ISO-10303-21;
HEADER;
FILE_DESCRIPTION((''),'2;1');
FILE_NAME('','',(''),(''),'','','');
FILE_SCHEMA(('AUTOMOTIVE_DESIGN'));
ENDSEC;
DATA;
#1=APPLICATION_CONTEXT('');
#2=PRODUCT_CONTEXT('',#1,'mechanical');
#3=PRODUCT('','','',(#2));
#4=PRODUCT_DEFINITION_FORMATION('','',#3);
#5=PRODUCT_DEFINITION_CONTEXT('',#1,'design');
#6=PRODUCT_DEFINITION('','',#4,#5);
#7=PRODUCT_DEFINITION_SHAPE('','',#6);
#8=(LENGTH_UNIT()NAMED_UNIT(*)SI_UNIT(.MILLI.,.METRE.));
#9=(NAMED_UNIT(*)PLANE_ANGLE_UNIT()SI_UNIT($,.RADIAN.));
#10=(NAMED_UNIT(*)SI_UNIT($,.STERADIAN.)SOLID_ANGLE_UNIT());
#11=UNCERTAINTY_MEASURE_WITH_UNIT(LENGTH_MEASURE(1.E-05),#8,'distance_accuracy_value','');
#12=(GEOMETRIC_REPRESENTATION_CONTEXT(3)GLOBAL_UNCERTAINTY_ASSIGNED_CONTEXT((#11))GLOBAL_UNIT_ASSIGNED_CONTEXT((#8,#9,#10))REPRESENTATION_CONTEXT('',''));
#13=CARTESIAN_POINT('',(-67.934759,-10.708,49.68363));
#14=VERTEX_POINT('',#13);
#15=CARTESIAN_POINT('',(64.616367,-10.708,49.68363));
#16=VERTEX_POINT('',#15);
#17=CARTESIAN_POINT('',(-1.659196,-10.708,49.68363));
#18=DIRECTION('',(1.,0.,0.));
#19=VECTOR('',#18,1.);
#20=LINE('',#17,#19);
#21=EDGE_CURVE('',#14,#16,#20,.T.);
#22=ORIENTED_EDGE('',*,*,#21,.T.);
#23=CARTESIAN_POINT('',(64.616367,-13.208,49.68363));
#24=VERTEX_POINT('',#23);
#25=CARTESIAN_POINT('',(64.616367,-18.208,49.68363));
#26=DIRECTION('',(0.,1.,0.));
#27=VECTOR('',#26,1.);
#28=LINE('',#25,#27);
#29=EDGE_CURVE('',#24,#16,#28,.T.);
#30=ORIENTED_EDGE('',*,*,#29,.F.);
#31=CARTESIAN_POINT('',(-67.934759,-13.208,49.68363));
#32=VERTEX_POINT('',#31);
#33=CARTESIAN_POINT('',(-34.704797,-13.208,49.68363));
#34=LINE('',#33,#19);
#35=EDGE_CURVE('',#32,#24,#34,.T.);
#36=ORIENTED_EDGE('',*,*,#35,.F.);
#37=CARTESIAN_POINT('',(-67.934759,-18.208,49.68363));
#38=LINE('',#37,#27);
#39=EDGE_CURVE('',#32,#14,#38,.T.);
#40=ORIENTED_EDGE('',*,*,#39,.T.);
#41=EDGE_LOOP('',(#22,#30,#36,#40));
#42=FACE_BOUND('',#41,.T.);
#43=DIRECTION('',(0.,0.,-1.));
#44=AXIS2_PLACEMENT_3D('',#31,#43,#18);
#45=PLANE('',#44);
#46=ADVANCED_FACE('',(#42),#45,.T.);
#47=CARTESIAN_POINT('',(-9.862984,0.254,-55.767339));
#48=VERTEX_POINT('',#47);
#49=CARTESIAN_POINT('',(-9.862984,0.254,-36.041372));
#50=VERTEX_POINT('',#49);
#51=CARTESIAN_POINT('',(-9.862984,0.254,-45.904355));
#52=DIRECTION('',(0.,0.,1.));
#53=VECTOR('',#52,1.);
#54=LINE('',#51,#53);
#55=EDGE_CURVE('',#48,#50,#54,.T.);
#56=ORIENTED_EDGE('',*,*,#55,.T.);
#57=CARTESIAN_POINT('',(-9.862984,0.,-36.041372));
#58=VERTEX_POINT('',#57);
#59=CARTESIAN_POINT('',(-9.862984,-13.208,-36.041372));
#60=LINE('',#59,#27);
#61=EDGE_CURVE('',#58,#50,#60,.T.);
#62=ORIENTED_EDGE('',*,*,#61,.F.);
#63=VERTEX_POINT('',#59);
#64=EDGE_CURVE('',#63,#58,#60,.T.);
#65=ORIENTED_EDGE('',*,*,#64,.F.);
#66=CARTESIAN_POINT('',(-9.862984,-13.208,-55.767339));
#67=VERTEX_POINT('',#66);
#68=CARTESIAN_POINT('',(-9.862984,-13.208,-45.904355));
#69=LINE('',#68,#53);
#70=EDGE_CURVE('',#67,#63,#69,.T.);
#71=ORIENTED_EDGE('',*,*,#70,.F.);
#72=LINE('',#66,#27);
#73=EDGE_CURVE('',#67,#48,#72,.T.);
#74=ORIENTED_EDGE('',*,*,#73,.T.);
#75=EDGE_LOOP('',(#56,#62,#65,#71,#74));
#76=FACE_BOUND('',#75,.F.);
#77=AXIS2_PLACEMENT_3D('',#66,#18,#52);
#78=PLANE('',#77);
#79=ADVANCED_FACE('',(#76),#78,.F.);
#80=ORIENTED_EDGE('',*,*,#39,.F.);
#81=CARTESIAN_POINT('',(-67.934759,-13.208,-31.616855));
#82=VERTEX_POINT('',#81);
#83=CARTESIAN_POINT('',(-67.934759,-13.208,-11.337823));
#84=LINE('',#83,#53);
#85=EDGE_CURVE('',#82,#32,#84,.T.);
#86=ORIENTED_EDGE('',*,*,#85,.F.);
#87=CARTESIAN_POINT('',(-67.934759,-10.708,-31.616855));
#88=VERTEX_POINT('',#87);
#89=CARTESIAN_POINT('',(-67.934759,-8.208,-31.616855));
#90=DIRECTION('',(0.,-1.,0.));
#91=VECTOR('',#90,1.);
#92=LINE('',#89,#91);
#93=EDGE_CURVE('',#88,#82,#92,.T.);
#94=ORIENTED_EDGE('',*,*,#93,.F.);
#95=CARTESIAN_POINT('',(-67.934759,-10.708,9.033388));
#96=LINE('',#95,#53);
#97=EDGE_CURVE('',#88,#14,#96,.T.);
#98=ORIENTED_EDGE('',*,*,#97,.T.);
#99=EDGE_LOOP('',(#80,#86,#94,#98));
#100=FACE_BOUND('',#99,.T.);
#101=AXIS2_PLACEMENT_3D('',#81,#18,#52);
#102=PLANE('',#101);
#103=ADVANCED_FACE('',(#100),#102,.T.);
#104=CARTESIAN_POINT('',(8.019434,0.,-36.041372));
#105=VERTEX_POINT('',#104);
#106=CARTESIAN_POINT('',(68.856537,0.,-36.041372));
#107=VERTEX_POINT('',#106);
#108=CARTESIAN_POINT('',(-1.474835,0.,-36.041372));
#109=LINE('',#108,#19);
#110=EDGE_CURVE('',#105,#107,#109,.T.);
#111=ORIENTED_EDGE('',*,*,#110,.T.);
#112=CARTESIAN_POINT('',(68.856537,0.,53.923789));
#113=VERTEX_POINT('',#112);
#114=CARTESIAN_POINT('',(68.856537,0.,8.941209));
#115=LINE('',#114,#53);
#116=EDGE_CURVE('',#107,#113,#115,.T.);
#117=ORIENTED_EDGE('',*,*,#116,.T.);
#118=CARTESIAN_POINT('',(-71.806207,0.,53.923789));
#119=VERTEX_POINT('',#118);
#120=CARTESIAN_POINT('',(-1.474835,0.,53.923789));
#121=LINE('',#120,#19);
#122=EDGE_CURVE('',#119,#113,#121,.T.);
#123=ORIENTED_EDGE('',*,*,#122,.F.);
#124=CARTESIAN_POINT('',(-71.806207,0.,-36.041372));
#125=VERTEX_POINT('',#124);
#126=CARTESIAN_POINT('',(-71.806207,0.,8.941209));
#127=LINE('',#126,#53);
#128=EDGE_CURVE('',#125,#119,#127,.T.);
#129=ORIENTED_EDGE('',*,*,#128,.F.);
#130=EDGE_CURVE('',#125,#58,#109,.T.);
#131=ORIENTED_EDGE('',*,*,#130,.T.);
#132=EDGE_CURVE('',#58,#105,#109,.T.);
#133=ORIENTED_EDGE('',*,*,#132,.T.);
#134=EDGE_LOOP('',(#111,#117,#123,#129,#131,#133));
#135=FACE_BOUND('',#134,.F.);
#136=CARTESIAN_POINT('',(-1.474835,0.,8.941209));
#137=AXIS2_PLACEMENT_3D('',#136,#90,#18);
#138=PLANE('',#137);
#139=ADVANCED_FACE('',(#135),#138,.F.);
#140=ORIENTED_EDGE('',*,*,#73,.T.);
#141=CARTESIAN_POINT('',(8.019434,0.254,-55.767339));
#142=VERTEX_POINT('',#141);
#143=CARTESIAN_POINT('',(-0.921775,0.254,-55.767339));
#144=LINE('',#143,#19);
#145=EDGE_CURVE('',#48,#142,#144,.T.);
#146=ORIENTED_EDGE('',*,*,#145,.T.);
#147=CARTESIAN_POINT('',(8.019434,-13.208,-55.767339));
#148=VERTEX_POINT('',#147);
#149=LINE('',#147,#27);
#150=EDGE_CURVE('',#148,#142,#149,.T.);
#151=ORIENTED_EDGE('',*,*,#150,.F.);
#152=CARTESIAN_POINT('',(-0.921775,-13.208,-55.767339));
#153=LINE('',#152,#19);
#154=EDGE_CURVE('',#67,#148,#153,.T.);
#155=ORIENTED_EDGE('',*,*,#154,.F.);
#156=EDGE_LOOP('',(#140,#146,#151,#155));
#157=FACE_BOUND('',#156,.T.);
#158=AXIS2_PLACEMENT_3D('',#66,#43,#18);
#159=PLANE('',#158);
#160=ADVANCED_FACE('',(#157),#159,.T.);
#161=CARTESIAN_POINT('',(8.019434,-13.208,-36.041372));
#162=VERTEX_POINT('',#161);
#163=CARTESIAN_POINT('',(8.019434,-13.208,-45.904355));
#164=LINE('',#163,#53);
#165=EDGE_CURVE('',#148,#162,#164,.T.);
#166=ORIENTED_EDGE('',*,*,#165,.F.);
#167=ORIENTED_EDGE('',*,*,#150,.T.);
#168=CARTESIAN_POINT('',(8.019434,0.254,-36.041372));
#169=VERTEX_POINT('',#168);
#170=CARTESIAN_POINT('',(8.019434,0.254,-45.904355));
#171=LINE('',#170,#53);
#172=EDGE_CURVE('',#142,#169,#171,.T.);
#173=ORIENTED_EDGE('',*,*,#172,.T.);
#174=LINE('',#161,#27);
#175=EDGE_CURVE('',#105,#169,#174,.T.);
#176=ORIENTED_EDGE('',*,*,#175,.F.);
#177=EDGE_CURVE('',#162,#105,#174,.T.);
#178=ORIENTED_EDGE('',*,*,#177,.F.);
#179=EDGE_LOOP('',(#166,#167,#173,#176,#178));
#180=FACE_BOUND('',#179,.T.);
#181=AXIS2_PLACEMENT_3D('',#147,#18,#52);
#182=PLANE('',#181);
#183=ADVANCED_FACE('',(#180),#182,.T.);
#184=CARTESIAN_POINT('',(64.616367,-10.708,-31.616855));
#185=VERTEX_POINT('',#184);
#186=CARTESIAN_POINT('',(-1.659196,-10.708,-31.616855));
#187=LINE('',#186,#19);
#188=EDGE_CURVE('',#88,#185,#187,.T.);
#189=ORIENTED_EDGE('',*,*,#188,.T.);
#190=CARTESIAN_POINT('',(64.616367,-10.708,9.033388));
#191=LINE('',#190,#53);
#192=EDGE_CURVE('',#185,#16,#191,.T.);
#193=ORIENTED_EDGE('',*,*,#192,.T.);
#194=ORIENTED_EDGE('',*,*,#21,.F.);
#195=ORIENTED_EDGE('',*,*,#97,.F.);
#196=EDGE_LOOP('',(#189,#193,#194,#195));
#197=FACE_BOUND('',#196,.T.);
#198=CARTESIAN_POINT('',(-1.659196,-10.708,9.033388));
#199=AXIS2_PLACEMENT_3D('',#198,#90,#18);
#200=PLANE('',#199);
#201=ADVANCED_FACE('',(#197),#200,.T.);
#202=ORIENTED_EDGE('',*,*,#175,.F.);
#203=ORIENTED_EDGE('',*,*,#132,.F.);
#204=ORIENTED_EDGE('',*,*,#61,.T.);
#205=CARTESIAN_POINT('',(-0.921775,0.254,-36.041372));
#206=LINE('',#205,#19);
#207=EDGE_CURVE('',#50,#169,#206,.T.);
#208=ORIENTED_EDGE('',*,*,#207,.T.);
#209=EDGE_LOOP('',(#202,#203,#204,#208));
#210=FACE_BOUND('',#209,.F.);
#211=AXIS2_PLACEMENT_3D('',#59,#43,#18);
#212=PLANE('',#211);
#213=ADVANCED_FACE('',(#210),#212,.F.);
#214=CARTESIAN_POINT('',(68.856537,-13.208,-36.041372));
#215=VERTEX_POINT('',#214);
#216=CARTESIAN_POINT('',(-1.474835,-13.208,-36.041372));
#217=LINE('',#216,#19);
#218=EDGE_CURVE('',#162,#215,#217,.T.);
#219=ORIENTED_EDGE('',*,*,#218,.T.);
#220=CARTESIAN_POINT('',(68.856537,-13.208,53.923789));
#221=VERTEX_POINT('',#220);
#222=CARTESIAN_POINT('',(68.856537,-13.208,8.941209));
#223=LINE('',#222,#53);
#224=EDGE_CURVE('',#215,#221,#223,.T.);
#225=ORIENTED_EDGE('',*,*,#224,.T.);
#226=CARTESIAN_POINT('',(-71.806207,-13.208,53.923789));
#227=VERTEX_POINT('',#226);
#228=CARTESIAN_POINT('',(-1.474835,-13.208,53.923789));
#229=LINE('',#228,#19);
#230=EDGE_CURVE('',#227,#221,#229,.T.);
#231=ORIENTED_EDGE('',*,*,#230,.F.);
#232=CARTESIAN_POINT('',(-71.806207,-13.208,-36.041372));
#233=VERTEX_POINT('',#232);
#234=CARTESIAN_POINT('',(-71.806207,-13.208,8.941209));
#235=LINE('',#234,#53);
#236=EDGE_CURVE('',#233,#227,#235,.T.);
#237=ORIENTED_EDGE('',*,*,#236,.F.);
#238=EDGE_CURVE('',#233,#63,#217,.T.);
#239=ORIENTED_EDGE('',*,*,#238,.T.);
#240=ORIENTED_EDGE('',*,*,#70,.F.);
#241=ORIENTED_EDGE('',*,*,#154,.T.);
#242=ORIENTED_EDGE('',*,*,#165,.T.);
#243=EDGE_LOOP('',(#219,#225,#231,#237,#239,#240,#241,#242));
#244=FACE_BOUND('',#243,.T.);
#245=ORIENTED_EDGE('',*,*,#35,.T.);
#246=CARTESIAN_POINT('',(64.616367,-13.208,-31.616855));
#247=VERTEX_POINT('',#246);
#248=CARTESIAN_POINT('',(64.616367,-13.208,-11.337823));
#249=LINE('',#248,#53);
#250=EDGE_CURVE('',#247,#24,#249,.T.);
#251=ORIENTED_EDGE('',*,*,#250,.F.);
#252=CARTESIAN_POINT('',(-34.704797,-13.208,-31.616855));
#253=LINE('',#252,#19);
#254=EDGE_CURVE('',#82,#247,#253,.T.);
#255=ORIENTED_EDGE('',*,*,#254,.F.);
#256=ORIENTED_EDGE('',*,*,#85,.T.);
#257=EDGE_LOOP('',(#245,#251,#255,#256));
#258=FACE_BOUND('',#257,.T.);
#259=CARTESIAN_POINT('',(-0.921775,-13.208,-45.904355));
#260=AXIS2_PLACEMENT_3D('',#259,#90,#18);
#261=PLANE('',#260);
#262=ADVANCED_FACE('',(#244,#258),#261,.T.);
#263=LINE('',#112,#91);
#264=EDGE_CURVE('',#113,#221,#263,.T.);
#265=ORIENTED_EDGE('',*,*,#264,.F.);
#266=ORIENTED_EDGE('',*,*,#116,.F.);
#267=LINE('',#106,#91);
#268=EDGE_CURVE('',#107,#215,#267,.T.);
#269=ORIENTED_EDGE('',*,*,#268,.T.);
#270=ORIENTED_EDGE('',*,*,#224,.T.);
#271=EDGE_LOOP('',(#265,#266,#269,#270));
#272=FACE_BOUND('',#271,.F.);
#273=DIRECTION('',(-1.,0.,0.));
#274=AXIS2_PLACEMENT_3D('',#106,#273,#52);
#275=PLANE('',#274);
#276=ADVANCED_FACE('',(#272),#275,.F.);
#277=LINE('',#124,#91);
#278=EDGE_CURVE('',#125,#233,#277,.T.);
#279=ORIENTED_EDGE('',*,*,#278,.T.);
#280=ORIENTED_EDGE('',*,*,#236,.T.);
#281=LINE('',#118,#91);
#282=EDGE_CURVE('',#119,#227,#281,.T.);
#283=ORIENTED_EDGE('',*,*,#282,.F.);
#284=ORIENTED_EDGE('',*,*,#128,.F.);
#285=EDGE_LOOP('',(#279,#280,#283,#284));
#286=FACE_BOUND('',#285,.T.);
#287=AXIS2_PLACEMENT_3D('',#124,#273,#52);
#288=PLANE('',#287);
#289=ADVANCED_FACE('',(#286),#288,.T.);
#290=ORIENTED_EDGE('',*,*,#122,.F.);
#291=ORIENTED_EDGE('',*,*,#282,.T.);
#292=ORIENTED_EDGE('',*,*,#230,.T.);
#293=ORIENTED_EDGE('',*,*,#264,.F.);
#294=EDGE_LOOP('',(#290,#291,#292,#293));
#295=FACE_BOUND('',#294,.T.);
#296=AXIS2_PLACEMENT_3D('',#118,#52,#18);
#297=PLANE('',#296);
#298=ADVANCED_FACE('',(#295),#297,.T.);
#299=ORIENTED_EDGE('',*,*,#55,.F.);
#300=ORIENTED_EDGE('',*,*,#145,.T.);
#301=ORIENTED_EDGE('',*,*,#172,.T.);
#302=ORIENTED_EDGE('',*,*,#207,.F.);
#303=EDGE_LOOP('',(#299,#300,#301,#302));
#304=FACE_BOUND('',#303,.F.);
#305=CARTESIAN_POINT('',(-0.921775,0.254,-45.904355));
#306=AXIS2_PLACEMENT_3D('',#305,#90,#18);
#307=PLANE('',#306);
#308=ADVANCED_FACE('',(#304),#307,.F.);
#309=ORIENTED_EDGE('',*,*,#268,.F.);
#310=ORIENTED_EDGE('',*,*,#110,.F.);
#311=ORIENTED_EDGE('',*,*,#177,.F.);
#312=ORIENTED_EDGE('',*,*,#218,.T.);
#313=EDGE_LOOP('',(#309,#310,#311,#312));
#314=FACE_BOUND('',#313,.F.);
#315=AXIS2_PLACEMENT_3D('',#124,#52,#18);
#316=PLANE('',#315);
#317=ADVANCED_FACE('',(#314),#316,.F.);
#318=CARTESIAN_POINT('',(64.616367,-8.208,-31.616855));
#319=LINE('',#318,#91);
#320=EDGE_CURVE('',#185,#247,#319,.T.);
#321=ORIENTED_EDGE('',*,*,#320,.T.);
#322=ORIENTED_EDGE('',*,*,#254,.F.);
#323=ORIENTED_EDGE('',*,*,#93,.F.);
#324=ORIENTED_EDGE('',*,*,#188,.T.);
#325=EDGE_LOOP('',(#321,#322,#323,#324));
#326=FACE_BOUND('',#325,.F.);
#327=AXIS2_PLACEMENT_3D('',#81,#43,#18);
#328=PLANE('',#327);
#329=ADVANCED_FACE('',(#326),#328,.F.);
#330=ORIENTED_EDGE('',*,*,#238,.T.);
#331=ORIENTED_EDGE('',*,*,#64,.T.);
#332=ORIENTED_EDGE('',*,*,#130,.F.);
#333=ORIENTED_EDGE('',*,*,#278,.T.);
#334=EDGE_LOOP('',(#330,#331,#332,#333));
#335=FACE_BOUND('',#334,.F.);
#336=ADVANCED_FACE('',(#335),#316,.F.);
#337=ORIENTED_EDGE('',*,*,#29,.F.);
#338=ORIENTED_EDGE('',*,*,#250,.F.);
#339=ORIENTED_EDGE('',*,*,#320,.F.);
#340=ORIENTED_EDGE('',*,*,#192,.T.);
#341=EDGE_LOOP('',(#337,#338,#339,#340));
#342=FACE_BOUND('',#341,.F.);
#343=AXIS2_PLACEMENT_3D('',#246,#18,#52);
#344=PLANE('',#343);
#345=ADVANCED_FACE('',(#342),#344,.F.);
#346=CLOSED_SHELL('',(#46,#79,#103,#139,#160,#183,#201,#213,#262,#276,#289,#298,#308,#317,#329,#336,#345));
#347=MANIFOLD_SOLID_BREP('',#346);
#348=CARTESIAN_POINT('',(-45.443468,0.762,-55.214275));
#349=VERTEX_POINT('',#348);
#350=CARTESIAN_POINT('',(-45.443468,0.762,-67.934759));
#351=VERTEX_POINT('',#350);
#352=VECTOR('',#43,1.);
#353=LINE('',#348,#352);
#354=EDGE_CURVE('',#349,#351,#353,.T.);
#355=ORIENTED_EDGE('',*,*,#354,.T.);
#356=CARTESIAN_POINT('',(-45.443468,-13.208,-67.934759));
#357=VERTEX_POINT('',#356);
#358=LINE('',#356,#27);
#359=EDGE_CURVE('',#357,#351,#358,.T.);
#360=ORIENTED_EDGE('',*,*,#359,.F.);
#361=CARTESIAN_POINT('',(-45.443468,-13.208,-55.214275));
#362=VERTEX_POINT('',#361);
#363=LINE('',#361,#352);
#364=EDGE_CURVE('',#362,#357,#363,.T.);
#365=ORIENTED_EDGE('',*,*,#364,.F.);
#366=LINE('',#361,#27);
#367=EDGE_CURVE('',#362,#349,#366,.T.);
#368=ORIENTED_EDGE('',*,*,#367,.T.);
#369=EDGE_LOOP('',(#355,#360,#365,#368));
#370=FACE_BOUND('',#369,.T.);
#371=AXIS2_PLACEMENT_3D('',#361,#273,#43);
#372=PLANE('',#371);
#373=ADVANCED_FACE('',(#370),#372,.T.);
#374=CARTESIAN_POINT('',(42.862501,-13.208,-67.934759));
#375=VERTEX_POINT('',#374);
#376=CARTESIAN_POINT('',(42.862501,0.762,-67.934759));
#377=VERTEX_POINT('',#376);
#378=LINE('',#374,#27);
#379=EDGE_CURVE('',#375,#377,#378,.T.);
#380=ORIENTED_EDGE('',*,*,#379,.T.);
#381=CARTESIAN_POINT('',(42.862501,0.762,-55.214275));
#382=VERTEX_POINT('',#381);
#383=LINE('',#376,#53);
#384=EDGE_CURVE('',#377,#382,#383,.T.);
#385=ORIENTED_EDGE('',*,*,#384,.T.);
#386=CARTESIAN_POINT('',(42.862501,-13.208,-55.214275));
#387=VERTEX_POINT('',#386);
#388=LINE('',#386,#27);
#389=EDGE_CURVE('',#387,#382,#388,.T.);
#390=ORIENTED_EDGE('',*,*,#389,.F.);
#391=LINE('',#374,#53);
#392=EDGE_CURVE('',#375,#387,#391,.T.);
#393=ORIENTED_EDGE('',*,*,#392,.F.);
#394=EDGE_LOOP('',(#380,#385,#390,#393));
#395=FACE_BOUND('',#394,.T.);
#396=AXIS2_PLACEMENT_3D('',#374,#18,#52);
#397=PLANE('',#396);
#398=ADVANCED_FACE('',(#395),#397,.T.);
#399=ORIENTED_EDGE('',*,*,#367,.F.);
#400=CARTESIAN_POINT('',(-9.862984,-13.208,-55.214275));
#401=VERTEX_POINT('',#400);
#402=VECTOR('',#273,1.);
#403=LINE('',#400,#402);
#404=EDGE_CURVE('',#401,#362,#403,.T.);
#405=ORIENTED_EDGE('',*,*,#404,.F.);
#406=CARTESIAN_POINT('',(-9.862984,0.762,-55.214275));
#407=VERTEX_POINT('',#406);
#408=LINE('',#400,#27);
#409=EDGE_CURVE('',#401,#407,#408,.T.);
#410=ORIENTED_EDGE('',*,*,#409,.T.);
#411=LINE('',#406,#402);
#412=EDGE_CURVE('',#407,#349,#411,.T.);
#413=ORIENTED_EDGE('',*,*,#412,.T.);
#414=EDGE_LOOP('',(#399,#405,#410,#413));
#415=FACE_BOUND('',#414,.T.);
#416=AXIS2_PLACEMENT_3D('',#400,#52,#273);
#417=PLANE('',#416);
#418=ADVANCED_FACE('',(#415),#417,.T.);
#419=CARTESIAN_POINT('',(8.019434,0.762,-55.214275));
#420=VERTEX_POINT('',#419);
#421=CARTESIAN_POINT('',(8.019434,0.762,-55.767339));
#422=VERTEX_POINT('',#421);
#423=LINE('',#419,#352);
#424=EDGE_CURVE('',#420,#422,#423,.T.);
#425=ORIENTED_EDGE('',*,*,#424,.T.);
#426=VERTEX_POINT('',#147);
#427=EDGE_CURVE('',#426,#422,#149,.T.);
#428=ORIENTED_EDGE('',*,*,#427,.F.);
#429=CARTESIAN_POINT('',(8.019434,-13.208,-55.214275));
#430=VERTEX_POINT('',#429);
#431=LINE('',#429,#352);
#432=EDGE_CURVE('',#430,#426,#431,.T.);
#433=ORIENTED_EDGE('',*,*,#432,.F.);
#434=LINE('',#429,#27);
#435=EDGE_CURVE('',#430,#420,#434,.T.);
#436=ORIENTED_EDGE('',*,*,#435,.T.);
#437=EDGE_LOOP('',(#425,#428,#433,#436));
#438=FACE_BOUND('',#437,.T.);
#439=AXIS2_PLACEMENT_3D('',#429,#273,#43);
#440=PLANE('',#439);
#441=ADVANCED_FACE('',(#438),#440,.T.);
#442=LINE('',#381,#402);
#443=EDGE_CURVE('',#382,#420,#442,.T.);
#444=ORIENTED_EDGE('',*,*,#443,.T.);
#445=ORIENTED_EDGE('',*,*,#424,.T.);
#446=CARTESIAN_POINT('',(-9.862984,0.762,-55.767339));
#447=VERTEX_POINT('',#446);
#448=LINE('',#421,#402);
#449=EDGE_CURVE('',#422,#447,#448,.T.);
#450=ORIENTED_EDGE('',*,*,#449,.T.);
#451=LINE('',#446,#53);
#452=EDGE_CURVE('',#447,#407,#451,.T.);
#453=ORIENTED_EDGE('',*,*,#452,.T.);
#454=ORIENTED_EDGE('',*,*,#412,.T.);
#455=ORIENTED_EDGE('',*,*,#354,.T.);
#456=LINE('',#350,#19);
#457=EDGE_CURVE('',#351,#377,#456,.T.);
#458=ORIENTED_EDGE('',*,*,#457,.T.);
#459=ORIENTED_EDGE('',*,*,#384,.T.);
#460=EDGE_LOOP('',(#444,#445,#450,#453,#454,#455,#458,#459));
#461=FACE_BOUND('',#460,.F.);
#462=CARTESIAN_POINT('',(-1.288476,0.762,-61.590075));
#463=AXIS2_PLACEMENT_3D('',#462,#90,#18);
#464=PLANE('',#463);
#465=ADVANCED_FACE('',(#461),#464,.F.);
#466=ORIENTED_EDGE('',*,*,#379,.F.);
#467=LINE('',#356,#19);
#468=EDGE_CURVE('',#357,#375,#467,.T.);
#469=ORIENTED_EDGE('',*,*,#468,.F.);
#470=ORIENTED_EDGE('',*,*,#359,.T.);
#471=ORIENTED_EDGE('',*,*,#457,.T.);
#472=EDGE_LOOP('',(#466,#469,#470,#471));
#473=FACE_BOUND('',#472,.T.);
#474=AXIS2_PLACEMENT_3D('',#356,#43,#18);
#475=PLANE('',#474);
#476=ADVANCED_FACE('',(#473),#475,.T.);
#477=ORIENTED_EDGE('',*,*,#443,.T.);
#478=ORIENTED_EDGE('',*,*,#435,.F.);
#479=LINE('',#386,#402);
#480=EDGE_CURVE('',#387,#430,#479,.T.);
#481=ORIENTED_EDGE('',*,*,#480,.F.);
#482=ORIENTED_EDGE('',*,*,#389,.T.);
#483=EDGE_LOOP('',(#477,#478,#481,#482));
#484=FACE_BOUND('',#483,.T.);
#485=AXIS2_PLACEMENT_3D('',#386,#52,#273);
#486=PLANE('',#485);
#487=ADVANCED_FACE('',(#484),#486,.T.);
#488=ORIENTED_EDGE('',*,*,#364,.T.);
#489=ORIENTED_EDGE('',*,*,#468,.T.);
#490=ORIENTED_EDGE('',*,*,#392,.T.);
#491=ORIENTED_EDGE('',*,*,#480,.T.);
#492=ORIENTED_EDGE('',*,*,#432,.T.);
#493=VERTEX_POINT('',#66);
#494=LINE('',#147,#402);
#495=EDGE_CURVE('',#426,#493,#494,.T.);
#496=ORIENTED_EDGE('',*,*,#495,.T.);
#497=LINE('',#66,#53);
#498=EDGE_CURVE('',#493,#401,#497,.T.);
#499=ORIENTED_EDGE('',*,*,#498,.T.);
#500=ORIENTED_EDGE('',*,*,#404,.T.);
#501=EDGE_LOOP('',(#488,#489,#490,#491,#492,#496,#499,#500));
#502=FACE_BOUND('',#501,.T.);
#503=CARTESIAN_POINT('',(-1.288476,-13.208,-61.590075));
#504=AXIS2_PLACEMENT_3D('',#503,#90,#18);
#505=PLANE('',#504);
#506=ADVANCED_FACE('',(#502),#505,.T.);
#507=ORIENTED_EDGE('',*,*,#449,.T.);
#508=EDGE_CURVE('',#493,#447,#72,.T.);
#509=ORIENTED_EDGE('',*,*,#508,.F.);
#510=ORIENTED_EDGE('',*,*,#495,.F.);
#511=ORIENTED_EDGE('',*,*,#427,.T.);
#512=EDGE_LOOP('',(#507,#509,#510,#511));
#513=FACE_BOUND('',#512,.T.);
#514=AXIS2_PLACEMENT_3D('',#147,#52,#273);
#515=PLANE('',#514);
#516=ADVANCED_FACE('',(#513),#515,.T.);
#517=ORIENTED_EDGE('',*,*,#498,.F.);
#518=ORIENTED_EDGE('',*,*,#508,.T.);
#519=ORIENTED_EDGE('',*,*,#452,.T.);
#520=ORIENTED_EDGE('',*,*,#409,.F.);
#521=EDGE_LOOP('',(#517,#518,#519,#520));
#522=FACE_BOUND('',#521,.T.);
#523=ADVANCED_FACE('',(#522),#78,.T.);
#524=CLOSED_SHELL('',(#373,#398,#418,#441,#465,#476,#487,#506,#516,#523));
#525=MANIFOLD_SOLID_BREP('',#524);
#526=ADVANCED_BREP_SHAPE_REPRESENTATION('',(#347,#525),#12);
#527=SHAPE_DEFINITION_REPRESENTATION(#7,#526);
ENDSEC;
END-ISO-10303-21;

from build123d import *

# Parameters (mm, degrees)
F0_W      = 140.6627446413
F0_H      = 89.9651609361
F1_DEPTH  = 13.208
F2_W      = 132.5511261821
F2_H      = 81.3004858792
F3_DEPTH  = 5
F4_W      = 132.5511261821
F4_H      = 81.3004858792
F5_DEPTH  = 2.5
F6_W      = 17.8824178874
F6_H      = 19.7259671986
F7_DEPTH  = 13.462
F10_DEPTH = 13.97


with BuildPart() as f1:
    # F0 (on Front) → F1 (new body)
    with BuildSketch(Plane.XZ):
        with Locations((-1.4748349786, 8.9412089437)):
            Rectangle(F0_W, F0_H)
    extrude(amount=F1_DEPTH)

    # F2 (on face) → F3 (cut, symmetric)
    with BuildSketch(Plane.XZ.offset(13.208)):
        with Locations((-1.6591958702, 9.0333875269)):
            Rectangle(F2_W, F2_H)
    extrude(amount=F3_DEPTH, both=True, mode=Mode.SUBTRACT)

    # F4 (on face) → F5 (join)
    with BuildSketch(Plane.XZ.offset(8.208)):
        with Locations((-1.6591958702, 9.0333875269)):
            Rectangle(F4_W, F4_H)
    extrude(amount=F5_DEPTH)

    # F6 (on face) → F7 (join)
    with BuildSketch(Plane.XZ.offset(13.208)):
        with Locations((-0.9217746556, -45.9043551236)):
            Rectangle(F6_W, F6_H)
    extrude(amount=-F7_DEPTH)


with BuildPart() as f10:
    # F9 (on face) → F10 (new body)
    with BuildSketch(Plane.XZ.offset(13.208)):
        Polygon((-9.8629835993, -55.7673387229), (-9.8629835993, -55.2142746747), (-45.4434677958, -55.2142746747), (-45.4434677958, -67.9347589612), (42.8625009954, -67.9347589612), (42.8625009954, -55.2142746747), (8.0194342881, -55.2142746747), (8.0194342881, -55.7673387229), align=None)
    extrude(amount=-F10_DEPTH)


solid = Compound([f1.part, f10.part])
